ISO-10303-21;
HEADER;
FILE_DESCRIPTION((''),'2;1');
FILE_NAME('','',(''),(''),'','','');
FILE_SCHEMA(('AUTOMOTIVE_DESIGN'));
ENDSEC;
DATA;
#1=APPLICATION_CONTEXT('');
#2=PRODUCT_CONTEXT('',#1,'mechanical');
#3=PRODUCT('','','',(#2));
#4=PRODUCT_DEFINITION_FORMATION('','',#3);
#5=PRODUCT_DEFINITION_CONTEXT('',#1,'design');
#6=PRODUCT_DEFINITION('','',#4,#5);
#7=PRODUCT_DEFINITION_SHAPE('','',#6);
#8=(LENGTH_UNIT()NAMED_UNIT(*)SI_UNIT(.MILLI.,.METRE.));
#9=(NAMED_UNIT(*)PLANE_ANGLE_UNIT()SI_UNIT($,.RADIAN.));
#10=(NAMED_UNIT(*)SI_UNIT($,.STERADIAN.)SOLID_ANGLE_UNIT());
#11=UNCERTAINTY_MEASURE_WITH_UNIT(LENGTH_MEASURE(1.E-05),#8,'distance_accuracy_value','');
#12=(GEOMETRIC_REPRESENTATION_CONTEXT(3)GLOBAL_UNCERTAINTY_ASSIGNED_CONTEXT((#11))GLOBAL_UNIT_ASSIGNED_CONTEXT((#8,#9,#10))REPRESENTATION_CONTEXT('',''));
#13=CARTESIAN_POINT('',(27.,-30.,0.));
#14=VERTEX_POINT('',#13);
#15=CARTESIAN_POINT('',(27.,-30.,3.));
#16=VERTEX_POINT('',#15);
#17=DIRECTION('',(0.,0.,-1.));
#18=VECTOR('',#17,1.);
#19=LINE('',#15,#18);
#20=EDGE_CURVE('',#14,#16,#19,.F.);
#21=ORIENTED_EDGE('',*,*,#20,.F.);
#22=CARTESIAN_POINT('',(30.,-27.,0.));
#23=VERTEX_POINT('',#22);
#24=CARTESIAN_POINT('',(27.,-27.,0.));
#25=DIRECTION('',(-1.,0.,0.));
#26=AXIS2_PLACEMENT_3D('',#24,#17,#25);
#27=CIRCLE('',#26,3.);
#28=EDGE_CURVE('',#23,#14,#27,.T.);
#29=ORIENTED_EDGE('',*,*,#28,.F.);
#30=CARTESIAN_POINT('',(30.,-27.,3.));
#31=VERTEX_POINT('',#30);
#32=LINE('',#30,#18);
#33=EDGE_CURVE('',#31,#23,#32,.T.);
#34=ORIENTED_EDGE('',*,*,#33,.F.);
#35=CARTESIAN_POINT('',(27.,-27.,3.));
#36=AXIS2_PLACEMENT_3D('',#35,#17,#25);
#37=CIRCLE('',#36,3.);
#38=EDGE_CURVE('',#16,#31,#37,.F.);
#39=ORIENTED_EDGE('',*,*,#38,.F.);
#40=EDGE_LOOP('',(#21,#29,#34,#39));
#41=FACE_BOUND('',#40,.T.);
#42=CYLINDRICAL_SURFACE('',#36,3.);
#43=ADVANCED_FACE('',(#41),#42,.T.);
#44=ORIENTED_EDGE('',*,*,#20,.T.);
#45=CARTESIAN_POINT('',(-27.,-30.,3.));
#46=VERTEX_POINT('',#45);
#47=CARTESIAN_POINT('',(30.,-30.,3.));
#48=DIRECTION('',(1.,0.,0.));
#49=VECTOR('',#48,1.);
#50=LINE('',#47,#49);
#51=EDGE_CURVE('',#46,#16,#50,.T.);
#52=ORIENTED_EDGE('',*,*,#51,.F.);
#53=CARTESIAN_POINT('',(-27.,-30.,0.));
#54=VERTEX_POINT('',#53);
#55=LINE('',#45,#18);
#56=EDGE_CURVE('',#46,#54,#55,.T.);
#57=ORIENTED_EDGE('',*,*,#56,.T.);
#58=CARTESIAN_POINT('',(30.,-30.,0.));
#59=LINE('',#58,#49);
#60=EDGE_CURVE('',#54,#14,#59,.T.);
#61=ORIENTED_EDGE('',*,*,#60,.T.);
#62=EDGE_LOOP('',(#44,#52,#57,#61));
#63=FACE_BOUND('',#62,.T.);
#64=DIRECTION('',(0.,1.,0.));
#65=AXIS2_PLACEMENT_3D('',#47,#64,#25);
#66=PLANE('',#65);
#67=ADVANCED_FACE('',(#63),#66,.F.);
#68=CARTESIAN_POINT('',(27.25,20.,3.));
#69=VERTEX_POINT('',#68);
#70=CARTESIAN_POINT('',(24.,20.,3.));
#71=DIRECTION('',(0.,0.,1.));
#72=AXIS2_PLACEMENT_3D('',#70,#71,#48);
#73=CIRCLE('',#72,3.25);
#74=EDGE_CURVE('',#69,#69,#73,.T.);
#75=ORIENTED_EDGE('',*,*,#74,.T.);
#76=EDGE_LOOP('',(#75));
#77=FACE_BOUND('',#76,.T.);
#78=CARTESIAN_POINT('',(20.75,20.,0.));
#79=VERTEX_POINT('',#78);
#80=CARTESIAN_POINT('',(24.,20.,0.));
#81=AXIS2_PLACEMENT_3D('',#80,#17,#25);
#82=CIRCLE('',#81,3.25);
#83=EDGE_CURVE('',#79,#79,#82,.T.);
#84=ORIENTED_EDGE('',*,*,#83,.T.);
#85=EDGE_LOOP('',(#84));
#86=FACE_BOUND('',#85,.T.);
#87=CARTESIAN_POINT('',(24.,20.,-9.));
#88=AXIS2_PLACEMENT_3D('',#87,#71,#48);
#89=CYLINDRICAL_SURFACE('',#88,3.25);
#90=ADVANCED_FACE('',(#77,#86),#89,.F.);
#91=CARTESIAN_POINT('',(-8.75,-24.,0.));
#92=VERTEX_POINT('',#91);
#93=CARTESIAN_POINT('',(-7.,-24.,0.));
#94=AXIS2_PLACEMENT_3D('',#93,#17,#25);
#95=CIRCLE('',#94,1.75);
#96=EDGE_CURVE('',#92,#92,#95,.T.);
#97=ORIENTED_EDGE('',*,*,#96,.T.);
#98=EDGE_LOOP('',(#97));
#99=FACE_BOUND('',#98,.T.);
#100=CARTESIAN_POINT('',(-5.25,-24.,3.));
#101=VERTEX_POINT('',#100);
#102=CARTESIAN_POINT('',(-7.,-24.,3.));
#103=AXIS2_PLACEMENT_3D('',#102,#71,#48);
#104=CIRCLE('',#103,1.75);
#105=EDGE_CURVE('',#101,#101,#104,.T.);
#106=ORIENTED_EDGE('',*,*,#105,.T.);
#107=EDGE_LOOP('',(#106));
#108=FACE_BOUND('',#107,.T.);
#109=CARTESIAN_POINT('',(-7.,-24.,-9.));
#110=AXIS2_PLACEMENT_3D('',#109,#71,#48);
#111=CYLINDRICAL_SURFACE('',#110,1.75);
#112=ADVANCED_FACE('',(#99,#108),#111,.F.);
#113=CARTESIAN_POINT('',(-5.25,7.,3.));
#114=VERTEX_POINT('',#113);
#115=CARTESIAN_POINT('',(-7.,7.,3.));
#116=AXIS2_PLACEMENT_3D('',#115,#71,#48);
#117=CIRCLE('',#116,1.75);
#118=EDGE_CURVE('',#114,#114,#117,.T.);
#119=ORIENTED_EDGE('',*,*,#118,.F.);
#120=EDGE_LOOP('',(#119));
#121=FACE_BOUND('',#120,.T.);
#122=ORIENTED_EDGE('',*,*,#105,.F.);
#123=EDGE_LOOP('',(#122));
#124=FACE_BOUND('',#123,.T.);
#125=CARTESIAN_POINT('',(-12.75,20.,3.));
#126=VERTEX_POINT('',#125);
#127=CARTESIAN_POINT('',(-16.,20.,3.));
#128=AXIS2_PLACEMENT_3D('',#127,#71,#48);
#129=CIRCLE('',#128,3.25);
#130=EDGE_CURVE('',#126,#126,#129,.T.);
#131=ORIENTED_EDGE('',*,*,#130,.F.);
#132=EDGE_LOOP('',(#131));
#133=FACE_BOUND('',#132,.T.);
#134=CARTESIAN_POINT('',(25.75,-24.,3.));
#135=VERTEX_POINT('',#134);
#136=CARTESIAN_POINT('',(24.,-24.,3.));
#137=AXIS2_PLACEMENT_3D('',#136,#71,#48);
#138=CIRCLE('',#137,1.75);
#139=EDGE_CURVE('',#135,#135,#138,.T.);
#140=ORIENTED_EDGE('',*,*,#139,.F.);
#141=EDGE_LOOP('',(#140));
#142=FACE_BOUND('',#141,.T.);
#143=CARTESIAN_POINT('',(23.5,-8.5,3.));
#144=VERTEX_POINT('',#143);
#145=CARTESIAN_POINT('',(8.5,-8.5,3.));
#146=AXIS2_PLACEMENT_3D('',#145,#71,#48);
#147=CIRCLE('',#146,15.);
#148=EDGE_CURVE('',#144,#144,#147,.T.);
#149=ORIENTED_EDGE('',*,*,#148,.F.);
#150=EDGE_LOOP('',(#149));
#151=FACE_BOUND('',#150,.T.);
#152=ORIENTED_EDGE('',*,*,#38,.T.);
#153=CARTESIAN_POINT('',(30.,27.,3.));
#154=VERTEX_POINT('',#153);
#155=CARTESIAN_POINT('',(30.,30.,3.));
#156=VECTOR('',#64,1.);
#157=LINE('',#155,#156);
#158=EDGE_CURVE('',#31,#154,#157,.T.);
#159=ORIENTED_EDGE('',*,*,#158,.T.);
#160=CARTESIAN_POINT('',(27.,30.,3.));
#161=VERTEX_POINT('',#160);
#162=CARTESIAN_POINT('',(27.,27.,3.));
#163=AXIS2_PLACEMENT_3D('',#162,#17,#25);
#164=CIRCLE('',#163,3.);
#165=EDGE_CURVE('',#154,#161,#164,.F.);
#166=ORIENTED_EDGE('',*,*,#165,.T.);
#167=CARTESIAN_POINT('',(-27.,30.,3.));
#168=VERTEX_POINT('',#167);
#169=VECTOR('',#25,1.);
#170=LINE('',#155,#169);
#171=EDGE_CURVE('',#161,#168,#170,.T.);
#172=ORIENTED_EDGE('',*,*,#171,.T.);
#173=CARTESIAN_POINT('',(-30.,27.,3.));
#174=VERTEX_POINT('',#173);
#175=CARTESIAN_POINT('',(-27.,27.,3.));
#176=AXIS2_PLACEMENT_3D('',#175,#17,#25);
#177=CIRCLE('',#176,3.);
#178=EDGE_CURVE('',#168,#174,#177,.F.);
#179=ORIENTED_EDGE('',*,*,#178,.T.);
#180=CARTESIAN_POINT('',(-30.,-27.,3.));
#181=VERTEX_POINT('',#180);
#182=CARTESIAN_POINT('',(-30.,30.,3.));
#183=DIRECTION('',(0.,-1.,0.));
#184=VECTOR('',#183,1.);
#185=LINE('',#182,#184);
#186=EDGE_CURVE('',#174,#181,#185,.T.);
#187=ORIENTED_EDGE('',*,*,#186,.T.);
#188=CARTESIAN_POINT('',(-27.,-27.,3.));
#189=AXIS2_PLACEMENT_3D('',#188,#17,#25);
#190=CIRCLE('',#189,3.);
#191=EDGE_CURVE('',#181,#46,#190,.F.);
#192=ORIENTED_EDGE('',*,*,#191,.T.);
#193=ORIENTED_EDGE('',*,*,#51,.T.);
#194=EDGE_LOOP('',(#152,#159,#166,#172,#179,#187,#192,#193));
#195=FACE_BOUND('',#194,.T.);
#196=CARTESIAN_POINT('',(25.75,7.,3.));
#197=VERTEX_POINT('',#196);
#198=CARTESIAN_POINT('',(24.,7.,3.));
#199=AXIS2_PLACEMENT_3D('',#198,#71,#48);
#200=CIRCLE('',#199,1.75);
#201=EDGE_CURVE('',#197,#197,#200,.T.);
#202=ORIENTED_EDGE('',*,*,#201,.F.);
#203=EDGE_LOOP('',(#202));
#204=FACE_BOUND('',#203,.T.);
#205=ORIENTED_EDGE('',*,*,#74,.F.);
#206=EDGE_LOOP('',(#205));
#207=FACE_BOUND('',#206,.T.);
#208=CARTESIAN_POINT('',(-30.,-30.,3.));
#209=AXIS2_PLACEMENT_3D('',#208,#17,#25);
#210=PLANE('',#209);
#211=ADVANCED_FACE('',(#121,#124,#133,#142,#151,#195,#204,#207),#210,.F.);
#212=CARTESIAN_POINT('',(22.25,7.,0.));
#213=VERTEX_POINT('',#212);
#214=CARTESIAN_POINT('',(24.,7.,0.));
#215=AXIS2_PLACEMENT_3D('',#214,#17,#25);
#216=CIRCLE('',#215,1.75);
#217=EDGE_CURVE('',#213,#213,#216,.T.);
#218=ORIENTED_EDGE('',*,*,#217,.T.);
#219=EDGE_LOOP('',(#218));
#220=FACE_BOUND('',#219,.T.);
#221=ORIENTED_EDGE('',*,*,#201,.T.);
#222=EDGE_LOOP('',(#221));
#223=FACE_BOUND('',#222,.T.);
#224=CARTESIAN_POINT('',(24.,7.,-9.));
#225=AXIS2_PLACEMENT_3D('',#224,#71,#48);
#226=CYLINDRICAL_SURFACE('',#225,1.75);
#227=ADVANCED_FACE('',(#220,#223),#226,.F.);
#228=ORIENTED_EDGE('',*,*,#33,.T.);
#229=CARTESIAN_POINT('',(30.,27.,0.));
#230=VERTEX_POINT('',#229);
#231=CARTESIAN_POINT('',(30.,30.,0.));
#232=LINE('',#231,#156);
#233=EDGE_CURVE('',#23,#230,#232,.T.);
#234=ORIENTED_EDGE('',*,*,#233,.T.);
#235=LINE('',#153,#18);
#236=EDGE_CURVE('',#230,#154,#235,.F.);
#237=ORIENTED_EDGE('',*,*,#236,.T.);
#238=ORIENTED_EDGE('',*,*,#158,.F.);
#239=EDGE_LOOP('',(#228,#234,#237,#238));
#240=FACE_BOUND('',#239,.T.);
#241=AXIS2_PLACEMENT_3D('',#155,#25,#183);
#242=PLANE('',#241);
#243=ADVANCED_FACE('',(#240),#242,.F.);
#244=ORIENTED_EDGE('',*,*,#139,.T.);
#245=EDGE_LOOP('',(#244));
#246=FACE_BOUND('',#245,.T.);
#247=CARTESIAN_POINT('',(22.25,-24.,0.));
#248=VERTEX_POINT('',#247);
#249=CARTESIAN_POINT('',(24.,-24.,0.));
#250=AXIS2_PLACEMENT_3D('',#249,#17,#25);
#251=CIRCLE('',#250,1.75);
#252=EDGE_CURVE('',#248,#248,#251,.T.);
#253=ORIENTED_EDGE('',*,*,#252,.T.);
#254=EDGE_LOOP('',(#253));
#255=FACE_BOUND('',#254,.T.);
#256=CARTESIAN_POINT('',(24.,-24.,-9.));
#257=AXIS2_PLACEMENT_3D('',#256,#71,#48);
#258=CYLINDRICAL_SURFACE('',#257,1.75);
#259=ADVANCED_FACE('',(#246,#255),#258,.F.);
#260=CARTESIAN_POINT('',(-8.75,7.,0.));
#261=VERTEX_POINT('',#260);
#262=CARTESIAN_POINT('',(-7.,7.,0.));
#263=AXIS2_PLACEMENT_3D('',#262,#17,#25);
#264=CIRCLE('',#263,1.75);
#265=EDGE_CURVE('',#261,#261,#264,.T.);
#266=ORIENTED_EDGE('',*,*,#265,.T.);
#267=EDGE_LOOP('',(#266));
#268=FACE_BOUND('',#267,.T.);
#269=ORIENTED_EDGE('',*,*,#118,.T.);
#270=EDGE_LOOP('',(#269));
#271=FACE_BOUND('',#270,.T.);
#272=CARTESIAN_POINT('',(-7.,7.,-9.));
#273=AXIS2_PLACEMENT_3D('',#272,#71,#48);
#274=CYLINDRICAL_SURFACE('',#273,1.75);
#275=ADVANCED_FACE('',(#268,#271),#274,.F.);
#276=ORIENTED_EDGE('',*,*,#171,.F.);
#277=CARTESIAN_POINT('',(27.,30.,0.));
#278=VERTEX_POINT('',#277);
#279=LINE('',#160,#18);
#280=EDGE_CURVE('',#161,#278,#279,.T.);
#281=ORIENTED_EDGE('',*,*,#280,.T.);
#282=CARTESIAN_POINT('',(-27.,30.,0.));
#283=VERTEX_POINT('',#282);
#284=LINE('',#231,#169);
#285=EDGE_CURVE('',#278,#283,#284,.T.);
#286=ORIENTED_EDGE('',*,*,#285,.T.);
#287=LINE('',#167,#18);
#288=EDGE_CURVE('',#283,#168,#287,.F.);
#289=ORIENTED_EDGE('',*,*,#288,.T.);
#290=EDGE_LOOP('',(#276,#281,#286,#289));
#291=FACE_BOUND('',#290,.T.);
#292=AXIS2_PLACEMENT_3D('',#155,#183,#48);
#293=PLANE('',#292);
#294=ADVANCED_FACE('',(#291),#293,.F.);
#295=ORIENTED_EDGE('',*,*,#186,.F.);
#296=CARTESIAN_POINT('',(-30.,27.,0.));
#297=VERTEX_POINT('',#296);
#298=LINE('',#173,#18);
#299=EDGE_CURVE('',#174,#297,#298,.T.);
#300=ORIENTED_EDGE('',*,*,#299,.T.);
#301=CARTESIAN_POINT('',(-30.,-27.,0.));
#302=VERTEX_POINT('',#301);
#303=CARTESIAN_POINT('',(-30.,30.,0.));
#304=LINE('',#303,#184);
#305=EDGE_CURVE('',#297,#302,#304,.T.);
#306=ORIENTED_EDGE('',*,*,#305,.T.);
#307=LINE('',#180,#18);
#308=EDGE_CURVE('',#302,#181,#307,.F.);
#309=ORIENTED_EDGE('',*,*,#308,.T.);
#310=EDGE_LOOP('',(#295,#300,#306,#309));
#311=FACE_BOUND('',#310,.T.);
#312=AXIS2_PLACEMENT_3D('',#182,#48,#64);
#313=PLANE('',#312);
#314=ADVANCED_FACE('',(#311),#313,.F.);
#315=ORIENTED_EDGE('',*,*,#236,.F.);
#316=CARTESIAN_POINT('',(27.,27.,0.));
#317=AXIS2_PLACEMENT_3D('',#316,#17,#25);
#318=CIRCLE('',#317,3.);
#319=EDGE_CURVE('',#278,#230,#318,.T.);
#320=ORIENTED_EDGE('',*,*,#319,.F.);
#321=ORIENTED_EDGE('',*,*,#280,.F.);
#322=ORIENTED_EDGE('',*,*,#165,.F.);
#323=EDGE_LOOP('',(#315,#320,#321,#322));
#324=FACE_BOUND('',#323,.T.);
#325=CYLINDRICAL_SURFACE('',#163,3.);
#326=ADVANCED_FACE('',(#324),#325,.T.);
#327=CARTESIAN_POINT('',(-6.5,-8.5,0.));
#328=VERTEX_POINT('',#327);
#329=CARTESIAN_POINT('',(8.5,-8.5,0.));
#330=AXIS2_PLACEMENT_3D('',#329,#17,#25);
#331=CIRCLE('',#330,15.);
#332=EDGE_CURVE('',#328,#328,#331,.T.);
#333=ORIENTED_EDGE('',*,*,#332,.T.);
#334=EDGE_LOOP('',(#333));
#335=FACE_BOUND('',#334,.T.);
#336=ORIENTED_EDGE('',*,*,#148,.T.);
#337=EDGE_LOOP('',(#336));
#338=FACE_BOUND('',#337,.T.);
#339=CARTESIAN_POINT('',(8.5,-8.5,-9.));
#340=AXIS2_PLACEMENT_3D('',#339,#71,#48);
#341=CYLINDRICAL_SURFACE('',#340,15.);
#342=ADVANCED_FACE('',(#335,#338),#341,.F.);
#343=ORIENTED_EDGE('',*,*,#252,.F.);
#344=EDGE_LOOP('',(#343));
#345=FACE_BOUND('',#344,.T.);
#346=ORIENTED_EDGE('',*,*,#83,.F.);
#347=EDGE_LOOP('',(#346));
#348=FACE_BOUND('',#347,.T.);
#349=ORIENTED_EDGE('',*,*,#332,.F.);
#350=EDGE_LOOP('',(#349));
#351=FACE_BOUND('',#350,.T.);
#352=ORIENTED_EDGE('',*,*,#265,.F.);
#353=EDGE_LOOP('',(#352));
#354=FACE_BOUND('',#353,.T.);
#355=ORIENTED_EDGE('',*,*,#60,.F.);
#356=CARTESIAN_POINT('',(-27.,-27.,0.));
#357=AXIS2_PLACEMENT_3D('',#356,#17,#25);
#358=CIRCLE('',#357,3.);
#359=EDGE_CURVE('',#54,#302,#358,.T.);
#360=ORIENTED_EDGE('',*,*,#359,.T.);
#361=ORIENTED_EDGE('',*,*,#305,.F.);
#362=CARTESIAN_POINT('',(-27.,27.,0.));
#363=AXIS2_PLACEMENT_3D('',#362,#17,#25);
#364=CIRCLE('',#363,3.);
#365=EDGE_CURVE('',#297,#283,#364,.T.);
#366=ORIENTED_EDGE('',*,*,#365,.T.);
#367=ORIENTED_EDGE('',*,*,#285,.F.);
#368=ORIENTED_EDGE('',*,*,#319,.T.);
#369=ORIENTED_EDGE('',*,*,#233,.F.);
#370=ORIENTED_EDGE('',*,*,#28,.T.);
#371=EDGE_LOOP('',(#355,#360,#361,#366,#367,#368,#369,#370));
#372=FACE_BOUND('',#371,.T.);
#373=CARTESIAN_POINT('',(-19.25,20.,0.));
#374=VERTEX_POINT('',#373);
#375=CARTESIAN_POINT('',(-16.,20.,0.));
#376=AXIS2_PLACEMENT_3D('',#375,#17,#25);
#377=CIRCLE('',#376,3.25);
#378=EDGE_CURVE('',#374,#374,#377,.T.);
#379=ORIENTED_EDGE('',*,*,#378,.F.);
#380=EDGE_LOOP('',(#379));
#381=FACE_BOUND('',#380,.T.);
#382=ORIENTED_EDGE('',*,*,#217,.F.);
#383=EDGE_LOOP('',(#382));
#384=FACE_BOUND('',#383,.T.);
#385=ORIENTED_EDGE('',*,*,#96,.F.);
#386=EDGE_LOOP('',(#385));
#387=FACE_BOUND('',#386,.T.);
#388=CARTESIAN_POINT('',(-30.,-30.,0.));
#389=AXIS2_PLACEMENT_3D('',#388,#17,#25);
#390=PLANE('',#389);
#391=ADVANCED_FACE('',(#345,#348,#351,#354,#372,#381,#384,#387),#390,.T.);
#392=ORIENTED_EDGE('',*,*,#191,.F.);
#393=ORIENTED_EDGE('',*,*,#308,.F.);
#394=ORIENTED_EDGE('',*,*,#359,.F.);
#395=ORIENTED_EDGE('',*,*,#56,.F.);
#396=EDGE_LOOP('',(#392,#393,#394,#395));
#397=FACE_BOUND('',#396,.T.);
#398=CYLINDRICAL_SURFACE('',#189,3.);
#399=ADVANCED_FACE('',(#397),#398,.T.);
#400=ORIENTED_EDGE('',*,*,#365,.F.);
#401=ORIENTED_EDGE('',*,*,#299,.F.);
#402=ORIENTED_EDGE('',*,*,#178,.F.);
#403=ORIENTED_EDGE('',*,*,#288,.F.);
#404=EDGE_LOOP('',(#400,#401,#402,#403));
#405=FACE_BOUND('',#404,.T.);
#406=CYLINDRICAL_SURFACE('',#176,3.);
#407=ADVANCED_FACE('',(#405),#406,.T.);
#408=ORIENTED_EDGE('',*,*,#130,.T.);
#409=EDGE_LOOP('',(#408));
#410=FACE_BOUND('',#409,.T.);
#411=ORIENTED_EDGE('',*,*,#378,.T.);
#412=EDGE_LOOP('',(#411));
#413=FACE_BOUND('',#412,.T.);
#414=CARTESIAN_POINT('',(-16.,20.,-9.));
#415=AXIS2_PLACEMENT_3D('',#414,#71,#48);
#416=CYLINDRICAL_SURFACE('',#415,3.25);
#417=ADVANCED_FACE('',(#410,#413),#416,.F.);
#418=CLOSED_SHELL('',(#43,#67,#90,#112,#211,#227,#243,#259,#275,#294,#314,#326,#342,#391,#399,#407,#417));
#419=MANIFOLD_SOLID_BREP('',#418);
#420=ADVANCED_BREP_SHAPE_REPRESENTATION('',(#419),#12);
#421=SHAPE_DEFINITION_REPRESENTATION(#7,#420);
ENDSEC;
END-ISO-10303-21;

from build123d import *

# Parameters (mm, degrees)
SKIZZE1_W                       = 60
SKIZZE1_H                       = 60
AUFSATZ_LINEAR_AUSTRAGEN1_DEPTH = 3
VERRUNDUNG1_R                   = 3
SKIZZE2_R                       = 1.75
SKIZZE2_R_2                     = 3.25
SKIZZE2_R_3                     = 15
SCHNITT_LINEAR_AUSTRAGEN1_DEPTH = 12


with BuildPart() as part:
    # Skizze1 → Aufsatz-Linear austragen1 (new body)
    with BuildSketch(Plane.XY):
        Rectangle(SKIZZE1_W, SKIZZE1_H)
    extrude(amount=AUFSATZ_LINEAR_AUSTRAGEN1_DEPTH)

    # Verrundung1
    verrundung1_edges = [part.edges().sort_by_distance(p)[0] for p in [
        (-30, 30, 1.5),
        (30, 30, 1.5),
        (30, -30, 1.5),
        (-30, -30, 1.5),
    ]]
    fillet(verrundung1_edges, radius=VERRUNDUNG1_R)

    # Skizze2 → Schnitt-Linear austragen1 (cut)
    with BuildSketch(Plane.XY.offset(3)):
        with Locations((-7, -24)):
            Circle(SKIZZE2_R)
        with Locations((-7, 7)):
            Circle(SKIZZE2_R)
        with Locations((24, 7)):
            Circle(SKIZZE2_R)
        with Locations((24, -24)):
            Circle(SKIZZE2_R)
        with Locations((24, 20)):
            Circle(SKIZZE2_R_2)
        with Locations((-16, 20)):
            Circle(SKIZZE2_R_2)
        with Locations((8.5, -8.5)):
            Circle(SKIZZE2_R_3)
    extrude(amount=-SCHNITT_LINEAR_AUSTRAGEN1_DEPTH, mode=Mode.SUBTRACT)


solid = part.part
